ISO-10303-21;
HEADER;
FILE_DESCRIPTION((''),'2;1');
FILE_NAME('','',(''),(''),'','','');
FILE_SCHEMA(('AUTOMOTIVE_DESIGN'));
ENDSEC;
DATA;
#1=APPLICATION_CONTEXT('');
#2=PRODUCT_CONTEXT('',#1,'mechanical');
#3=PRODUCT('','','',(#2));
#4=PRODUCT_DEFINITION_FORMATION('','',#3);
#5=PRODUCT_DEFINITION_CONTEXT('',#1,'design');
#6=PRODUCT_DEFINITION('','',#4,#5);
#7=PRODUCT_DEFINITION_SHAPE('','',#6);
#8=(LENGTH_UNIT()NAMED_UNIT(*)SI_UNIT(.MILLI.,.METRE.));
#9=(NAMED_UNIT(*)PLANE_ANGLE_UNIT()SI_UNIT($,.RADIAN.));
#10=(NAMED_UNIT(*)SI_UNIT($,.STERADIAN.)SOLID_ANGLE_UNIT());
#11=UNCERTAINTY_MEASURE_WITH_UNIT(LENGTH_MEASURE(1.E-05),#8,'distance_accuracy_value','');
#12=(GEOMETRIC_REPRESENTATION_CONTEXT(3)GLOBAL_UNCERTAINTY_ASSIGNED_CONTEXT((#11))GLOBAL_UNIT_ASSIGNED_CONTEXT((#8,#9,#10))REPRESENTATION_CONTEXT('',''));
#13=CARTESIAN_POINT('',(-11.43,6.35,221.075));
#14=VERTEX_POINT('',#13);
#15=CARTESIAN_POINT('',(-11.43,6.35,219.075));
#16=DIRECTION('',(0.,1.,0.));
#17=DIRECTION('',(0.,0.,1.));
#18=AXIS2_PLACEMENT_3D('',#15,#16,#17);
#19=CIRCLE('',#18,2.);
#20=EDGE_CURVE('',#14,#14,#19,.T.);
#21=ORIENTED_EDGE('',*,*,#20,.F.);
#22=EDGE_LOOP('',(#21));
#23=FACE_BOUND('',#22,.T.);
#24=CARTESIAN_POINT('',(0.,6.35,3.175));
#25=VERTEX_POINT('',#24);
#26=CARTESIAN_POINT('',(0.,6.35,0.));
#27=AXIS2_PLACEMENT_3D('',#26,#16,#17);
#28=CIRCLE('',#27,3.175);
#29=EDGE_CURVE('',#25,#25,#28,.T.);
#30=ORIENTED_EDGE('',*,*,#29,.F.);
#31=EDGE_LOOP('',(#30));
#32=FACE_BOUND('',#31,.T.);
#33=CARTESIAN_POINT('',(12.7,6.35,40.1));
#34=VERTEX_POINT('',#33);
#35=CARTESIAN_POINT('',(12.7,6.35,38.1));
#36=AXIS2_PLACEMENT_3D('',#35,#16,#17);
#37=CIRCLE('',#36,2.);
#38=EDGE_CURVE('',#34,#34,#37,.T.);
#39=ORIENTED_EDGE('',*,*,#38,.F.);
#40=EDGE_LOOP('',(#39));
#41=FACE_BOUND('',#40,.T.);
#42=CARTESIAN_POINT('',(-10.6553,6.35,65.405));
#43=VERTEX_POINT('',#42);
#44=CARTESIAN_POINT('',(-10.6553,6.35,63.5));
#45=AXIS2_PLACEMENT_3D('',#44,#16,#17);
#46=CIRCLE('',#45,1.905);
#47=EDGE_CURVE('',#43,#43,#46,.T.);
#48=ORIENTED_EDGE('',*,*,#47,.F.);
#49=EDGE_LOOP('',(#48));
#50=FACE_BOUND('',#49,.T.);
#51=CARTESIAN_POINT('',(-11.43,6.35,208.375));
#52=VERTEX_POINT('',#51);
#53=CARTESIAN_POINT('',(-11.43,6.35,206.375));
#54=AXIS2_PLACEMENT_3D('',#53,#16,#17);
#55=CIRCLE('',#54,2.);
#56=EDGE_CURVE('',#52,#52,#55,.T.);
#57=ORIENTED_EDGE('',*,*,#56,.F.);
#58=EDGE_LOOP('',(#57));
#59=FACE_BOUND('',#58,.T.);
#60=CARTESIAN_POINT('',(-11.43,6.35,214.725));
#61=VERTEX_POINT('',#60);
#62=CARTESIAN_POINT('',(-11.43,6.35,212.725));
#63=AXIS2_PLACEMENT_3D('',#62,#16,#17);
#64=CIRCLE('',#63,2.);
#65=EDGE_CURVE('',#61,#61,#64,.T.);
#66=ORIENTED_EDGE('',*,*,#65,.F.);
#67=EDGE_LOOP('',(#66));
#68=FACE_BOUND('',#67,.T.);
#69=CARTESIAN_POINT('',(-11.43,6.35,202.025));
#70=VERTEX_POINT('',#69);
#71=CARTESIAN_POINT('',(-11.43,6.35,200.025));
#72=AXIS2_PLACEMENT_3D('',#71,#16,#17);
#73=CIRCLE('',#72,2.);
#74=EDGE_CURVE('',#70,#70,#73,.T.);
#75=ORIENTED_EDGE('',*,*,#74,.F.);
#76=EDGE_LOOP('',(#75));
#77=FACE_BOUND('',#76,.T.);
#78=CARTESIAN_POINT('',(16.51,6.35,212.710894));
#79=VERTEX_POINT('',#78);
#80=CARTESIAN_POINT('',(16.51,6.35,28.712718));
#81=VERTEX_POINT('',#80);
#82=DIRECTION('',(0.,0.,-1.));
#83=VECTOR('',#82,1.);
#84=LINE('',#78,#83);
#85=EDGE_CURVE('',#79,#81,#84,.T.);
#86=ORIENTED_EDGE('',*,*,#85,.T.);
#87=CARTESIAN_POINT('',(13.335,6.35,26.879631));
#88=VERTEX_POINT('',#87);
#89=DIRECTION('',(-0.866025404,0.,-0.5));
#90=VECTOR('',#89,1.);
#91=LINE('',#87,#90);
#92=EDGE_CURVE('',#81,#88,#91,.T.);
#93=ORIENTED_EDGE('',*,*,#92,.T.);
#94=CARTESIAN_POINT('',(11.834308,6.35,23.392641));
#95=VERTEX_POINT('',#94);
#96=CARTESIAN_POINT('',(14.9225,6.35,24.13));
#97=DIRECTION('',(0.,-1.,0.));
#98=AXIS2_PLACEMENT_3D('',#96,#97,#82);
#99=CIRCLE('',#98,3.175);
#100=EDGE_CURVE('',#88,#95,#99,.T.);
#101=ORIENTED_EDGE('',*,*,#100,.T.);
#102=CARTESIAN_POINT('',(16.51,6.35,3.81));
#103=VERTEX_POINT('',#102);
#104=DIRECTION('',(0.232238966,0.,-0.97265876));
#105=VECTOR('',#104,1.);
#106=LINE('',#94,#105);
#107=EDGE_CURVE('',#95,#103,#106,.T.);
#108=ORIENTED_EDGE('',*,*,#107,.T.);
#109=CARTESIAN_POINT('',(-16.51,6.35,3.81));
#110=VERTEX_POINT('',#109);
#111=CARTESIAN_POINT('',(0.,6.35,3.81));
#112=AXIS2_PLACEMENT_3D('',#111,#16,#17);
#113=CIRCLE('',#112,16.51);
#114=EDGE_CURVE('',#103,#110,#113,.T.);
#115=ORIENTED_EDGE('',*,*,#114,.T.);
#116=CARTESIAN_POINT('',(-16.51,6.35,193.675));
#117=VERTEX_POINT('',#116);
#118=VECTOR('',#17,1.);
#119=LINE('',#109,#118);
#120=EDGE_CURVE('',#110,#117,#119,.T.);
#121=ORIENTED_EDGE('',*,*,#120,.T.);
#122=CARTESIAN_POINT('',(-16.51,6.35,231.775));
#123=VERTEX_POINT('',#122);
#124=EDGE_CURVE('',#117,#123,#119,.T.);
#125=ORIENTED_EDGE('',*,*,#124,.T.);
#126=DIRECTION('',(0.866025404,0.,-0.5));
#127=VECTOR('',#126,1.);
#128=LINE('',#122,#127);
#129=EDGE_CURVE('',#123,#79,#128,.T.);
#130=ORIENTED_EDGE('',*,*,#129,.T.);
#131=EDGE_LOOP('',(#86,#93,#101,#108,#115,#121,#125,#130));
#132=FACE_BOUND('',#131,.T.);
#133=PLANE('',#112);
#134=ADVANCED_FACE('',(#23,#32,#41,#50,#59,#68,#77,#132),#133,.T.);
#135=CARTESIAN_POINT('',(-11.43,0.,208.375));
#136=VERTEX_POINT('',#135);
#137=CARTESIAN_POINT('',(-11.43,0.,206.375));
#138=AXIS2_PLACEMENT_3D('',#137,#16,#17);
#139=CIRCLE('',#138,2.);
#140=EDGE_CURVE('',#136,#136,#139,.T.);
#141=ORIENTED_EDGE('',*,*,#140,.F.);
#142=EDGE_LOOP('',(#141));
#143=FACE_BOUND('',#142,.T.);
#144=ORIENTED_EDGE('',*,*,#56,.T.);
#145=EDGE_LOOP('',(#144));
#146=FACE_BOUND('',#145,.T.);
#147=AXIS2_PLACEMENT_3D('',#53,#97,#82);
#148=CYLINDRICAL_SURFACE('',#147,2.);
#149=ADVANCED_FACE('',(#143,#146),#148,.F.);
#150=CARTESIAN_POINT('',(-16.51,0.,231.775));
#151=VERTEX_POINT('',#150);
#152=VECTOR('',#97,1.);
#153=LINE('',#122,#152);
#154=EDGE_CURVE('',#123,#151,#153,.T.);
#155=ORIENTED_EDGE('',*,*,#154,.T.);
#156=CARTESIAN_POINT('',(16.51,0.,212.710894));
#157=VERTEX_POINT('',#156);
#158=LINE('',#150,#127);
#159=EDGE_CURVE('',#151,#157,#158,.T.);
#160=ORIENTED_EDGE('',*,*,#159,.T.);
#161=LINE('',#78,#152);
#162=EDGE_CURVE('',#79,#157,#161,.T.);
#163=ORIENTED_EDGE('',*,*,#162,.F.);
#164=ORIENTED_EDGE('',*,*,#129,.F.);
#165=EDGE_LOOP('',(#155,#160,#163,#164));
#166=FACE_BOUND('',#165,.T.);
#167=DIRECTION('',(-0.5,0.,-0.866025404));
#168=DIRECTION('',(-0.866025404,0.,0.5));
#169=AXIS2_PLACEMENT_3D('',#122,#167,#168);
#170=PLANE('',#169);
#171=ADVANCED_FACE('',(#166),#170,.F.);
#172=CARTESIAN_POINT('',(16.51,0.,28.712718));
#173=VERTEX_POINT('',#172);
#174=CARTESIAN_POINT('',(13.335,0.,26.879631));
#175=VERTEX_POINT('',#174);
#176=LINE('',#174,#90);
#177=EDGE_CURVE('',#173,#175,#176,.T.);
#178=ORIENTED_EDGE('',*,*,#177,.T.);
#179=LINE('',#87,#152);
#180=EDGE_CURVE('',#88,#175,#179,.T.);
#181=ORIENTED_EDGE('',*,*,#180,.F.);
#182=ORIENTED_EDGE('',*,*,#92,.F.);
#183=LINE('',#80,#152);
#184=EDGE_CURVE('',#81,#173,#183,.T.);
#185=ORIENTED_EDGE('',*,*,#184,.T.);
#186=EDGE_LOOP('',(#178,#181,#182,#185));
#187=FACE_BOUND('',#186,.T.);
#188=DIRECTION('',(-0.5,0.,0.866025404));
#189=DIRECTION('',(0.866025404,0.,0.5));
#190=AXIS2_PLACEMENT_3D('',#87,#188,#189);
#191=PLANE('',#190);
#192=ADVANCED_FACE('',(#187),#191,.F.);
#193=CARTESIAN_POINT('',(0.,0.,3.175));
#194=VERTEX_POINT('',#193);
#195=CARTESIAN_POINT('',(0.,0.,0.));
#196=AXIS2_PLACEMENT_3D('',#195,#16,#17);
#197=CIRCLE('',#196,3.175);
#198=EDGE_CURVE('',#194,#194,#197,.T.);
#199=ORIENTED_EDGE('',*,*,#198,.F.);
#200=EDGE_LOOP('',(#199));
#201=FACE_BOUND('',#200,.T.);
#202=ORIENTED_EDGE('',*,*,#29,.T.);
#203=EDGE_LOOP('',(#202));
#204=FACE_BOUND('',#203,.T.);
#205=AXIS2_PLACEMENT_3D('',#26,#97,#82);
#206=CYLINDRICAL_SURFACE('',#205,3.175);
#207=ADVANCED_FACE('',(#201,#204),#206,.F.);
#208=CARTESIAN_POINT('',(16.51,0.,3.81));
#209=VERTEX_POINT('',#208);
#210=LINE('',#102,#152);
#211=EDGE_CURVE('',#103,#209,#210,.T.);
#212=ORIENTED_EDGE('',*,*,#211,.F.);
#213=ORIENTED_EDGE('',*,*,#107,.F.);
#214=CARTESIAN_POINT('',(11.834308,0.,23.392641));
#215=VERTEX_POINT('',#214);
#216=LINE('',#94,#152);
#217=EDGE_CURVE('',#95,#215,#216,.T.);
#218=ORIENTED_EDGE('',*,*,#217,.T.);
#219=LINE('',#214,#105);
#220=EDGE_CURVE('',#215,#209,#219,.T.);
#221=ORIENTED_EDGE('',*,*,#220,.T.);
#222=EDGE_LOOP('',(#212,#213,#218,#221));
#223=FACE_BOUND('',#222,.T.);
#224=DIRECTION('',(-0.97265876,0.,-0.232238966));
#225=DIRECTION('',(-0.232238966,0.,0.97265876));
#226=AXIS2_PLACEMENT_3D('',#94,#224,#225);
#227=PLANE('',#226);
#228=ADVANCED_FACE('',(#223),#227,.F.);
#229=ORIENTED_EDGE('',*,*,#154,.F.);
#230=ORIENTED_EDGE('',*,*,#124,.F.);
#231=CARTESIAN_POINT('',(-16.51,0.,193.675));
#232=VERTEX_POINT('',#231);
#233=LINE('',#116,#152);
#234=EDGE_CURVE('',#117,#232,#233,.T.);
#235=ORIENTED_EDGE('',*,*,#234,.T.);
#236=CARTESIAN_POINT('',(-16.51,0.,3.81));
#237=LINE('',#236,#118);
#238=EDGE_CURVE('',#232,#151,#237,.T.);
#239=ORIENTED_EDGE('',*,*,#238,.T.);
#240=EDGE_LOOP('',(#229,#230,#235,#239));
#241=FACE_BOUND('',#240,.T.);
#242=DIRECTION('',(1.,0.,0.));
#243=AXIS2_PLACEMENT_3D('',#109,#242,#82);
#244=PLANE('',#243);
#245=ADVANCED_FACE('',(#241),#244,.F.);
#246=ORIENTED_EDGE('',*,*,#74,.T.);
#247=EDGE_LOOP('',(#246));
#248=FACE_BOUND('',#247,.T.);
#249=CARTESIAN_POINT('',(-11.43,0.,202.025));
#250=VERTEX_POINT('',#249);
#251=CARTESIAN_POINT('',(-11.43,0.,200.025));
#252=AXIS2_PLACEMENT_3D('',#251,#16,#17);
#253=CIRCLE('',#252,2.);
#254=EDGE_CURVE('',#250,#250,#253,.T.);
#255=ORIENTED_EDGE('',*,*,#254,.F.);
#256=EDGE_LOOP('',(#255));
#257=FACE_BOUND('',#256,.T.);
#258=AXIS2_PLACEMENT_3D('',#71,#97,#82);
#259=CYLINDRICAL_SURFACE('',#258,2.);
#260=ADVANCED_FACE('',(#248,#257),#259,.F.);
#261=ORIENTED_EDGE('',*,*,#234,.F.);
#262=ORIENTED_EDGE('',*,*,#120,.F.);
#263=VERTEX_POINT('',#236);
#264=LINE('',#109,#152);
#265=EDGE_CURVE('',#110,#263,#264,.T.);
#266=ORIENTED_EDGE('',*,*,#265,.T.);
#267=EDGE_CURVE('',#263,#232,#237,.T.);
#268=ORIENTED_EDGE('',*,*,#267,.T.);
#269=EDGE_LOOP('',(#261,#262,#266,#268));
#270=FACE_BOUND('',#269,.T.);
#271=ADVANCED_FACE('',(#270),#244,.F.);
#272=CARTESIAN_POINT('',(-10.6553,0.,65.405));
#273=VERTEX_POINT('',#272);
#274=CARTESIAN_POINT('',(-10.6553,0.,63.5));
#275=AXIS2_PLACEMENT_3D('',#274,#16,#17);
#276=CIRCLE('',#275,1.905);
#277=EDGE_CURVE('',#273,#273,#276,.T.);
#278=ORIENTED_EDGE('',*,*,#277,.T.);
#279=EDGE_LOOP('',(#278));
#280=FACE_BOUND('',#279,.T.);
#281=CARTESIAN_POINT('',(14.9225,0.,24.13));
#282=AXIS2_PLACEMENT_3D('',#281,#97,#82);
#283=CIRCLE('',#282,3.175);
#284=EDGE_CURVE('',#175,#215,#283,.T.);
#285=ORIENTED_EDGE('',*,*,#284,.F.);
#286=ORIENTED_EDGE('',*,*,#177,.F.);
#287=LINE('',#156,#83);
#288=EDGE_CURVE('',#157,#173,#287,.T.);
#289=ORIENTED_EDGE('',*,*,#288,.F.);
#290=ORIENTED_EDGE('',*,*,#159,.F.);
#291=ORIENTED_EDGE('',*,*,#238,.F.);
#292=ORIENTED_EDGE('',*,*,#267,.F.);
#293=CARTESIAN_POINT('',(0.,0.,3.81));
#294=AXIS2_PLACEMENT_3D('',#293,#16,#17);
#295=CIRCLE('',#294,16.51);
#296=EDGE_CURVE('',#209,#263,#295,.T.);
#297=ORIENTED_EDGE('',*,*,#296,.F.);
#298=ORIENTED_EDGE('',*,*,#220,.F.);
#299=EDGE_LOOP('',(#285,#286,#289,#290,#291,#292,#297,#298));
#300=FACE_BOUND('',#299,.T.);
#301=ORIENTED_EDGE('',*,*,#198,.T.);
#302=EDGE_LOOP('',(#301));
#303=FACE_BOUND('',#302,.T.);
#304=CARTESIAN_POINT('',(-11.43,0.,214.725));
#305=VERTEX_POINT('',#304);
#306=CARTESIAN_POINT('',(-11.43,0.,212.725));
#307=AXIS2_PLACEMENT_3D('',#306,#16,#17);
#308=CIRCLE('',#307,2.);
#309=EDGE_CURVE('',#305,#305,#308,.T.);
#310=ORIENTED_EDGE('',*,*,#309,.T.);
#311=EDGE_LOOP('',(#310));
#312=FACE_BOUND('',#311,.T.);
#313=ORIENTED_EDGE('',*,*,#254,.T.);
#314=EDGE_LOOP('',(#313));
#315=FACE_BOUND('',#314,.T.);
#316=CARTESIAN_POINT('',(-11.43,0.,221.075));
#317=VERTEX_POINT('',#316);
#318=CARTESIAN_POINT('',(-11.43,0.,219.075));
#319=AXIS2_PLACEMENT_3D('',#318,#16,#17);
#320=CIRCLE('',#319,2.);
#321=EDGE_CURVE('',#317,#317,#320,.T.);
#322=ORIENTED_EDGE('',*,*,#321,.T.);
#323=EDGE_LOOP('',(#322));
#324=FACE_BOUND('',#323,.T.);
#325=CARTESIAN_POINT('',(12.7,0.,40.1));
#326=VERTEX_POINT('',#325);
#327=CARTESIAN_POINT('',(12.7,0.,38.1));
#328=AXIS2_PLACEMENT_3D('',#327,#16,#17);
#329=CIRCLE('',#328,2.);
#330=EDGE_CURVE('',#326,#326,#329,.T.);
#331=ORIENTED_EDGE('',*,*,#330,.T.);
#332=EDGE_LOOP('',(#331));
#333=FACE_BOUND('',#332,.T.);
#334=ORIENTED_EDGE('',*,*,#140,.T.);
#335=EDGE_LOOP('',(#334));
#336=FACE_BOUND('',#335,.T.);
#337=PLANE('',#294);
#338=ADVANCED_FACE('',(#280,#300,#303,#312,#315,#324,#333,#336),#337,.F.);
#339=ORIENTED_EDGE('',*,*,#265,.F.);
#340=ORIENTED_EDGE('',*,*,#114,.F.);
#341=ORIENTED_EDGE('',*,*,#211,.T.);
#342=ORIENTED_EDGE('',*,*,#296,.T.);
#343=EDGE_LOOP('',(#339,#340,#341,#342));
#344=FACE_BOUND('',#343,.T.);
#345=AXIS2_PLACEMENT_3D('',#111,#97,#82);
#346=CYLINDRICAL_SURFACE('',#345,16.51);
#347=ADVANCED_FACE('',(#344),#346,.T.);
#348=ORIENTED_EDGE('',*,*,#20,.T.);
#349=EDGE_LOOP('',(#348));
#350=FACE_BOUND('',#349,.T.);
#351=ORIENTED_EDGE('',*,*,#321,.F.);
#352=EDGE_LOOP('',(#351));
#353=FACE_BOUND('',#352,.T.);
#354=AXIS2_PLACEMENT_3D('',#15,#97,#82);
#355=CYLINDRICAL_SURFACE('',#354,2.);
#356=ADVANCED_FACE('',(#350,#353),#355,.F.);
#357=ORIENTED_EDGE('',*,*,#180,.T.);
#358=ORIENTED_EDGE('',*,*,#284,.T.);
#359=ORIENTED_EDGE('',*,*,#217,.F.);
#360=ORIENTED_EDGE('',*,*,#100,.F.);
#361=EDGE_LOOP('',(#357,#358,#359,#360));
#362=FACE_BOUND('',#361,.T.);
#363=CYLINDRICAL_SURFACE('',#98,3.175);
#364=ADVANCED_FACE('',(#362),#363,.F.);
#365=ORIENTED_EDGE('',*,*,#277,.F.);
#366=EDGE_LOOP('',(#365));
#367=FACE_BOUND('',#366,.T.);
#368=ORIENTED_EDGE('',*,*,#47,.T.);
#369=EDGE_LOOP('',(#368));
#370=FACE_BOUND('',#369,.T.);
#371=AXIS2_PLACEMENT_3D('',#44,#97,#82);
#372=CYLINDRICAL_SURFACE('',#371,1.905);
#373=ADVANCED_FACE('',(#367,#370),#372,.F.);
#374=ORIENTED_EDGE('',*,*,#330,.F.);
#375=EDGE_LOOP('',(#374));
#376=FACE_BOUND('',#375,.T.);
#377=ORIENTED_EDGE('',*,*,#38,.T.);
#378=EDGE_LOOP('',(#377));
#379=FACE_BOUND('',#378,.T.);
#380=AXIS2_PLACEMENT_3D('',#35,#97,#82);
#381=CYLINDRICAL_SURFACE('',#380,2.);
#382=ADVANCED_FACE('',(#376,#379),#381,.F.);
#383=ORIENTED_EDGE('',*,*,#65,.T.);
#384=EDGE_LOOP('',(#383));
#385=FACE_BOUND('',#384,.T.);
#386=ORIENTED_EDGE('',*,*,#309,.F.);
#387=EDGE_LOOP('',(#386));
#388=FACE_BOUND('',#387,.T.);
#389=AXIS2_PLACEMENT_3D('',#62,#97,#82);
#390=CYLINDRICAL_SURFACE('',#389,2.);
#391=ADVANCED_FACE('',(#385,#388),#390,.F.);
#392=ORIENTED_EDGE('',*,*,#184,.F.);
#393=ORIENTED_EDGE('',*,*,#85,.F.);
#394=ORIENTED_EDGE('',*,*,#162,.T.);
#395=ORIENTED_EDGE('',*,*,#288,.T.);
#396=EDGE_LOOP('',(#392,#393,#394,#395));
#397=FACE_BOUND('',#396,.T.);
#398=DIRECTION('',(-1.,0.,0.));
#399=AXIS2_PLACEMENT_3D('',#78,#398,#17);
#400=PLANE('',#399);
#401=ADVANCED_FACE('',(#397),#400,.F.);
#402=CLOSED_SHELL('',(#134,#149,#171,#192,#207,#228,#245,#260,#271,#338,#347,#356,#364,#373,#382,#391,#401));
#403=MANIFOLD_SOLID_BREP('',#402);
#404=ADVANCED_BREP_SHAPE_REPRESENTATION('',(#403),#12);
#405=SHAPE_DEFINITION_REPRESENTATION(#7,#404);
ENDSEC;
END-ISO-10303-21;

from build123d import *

# Parameters (mm, degrees)
SKETCH2_R           = 3.175
SKETCH2_R_2         = 2
SKETCH2_R_3         = 1.905
BOSS_EXTRUDE1_DEPTH = 6.35


with BuildPart() as part:
    # Sketch2 → Boss-Extrude1 (new body)
    with BuildSketch(Plane(origin=(0, 0, 0), x_dir=(1, 0, 0), z_dir=(0, 1, 0))):
        with BuildLine():
            Line((-16.51, -3.81), (-16.51, -231.775))
            Line((-16.51, -231.775), (16.51, -212.710894111))
            Line((16.51, -212.710894111), (16.51, -28.712717762))
            Line((16.51, -28.712717762), (13.335, -26.879630657))
            ThreePointArc((13.335, -26.879630657), (12.006115832, -25.385120864), (11.834308438, -23.392641284))
            Line((11.834308438, -23.392641284), (16.51, -3.81))
            ThreePointArc((16.51, -3.81), (0, 12.7), (-16.51, -3.81))
        make_face()
        with Locations(Location((0, 0, 0), (0, 0, 270))):
            Circle(SKETCH2_R, mode=Mode.SUBTRACT)
        with Locations(Location((-11.43, -219.075, 0), (0, 0, 270))):
            Circle(SKETCH2_R_2, mode=Mode.SUBTRACT)
        with Locations(Location((-11.43, -212.725, 0), (0, 0, 270))):
            Circle(SKETCH2_R_2, mode=Mode.SUBTRACT)
        with Locations(Location((-11.43, -206.375, 0), (0, 0, 270))):
            Circle(SKETCH2_R_2, mode=Mode.SUBTRACT)
        with Locations(Location((-11.43, -200.025, 0), (0, 0, 270))):
            Circle(SKETCH2_R_2, mode=Mode.SUBTRACT)
        with Locations(Location((-10.6553, -63.5, 0), (0, 0, 270))):
            Circle(SKETCH2_R_3, mode=Mode.SUBTRACT)
        with Locations(Location((12.7, -38.1, 0), (0, 0, 270))):
            Circle(SKETCH2_R_2, mode=Mode.SUBTRACT)
    extrude(amount=BOSS_EXTRUDE1_DEPTH)


solid = part.part
